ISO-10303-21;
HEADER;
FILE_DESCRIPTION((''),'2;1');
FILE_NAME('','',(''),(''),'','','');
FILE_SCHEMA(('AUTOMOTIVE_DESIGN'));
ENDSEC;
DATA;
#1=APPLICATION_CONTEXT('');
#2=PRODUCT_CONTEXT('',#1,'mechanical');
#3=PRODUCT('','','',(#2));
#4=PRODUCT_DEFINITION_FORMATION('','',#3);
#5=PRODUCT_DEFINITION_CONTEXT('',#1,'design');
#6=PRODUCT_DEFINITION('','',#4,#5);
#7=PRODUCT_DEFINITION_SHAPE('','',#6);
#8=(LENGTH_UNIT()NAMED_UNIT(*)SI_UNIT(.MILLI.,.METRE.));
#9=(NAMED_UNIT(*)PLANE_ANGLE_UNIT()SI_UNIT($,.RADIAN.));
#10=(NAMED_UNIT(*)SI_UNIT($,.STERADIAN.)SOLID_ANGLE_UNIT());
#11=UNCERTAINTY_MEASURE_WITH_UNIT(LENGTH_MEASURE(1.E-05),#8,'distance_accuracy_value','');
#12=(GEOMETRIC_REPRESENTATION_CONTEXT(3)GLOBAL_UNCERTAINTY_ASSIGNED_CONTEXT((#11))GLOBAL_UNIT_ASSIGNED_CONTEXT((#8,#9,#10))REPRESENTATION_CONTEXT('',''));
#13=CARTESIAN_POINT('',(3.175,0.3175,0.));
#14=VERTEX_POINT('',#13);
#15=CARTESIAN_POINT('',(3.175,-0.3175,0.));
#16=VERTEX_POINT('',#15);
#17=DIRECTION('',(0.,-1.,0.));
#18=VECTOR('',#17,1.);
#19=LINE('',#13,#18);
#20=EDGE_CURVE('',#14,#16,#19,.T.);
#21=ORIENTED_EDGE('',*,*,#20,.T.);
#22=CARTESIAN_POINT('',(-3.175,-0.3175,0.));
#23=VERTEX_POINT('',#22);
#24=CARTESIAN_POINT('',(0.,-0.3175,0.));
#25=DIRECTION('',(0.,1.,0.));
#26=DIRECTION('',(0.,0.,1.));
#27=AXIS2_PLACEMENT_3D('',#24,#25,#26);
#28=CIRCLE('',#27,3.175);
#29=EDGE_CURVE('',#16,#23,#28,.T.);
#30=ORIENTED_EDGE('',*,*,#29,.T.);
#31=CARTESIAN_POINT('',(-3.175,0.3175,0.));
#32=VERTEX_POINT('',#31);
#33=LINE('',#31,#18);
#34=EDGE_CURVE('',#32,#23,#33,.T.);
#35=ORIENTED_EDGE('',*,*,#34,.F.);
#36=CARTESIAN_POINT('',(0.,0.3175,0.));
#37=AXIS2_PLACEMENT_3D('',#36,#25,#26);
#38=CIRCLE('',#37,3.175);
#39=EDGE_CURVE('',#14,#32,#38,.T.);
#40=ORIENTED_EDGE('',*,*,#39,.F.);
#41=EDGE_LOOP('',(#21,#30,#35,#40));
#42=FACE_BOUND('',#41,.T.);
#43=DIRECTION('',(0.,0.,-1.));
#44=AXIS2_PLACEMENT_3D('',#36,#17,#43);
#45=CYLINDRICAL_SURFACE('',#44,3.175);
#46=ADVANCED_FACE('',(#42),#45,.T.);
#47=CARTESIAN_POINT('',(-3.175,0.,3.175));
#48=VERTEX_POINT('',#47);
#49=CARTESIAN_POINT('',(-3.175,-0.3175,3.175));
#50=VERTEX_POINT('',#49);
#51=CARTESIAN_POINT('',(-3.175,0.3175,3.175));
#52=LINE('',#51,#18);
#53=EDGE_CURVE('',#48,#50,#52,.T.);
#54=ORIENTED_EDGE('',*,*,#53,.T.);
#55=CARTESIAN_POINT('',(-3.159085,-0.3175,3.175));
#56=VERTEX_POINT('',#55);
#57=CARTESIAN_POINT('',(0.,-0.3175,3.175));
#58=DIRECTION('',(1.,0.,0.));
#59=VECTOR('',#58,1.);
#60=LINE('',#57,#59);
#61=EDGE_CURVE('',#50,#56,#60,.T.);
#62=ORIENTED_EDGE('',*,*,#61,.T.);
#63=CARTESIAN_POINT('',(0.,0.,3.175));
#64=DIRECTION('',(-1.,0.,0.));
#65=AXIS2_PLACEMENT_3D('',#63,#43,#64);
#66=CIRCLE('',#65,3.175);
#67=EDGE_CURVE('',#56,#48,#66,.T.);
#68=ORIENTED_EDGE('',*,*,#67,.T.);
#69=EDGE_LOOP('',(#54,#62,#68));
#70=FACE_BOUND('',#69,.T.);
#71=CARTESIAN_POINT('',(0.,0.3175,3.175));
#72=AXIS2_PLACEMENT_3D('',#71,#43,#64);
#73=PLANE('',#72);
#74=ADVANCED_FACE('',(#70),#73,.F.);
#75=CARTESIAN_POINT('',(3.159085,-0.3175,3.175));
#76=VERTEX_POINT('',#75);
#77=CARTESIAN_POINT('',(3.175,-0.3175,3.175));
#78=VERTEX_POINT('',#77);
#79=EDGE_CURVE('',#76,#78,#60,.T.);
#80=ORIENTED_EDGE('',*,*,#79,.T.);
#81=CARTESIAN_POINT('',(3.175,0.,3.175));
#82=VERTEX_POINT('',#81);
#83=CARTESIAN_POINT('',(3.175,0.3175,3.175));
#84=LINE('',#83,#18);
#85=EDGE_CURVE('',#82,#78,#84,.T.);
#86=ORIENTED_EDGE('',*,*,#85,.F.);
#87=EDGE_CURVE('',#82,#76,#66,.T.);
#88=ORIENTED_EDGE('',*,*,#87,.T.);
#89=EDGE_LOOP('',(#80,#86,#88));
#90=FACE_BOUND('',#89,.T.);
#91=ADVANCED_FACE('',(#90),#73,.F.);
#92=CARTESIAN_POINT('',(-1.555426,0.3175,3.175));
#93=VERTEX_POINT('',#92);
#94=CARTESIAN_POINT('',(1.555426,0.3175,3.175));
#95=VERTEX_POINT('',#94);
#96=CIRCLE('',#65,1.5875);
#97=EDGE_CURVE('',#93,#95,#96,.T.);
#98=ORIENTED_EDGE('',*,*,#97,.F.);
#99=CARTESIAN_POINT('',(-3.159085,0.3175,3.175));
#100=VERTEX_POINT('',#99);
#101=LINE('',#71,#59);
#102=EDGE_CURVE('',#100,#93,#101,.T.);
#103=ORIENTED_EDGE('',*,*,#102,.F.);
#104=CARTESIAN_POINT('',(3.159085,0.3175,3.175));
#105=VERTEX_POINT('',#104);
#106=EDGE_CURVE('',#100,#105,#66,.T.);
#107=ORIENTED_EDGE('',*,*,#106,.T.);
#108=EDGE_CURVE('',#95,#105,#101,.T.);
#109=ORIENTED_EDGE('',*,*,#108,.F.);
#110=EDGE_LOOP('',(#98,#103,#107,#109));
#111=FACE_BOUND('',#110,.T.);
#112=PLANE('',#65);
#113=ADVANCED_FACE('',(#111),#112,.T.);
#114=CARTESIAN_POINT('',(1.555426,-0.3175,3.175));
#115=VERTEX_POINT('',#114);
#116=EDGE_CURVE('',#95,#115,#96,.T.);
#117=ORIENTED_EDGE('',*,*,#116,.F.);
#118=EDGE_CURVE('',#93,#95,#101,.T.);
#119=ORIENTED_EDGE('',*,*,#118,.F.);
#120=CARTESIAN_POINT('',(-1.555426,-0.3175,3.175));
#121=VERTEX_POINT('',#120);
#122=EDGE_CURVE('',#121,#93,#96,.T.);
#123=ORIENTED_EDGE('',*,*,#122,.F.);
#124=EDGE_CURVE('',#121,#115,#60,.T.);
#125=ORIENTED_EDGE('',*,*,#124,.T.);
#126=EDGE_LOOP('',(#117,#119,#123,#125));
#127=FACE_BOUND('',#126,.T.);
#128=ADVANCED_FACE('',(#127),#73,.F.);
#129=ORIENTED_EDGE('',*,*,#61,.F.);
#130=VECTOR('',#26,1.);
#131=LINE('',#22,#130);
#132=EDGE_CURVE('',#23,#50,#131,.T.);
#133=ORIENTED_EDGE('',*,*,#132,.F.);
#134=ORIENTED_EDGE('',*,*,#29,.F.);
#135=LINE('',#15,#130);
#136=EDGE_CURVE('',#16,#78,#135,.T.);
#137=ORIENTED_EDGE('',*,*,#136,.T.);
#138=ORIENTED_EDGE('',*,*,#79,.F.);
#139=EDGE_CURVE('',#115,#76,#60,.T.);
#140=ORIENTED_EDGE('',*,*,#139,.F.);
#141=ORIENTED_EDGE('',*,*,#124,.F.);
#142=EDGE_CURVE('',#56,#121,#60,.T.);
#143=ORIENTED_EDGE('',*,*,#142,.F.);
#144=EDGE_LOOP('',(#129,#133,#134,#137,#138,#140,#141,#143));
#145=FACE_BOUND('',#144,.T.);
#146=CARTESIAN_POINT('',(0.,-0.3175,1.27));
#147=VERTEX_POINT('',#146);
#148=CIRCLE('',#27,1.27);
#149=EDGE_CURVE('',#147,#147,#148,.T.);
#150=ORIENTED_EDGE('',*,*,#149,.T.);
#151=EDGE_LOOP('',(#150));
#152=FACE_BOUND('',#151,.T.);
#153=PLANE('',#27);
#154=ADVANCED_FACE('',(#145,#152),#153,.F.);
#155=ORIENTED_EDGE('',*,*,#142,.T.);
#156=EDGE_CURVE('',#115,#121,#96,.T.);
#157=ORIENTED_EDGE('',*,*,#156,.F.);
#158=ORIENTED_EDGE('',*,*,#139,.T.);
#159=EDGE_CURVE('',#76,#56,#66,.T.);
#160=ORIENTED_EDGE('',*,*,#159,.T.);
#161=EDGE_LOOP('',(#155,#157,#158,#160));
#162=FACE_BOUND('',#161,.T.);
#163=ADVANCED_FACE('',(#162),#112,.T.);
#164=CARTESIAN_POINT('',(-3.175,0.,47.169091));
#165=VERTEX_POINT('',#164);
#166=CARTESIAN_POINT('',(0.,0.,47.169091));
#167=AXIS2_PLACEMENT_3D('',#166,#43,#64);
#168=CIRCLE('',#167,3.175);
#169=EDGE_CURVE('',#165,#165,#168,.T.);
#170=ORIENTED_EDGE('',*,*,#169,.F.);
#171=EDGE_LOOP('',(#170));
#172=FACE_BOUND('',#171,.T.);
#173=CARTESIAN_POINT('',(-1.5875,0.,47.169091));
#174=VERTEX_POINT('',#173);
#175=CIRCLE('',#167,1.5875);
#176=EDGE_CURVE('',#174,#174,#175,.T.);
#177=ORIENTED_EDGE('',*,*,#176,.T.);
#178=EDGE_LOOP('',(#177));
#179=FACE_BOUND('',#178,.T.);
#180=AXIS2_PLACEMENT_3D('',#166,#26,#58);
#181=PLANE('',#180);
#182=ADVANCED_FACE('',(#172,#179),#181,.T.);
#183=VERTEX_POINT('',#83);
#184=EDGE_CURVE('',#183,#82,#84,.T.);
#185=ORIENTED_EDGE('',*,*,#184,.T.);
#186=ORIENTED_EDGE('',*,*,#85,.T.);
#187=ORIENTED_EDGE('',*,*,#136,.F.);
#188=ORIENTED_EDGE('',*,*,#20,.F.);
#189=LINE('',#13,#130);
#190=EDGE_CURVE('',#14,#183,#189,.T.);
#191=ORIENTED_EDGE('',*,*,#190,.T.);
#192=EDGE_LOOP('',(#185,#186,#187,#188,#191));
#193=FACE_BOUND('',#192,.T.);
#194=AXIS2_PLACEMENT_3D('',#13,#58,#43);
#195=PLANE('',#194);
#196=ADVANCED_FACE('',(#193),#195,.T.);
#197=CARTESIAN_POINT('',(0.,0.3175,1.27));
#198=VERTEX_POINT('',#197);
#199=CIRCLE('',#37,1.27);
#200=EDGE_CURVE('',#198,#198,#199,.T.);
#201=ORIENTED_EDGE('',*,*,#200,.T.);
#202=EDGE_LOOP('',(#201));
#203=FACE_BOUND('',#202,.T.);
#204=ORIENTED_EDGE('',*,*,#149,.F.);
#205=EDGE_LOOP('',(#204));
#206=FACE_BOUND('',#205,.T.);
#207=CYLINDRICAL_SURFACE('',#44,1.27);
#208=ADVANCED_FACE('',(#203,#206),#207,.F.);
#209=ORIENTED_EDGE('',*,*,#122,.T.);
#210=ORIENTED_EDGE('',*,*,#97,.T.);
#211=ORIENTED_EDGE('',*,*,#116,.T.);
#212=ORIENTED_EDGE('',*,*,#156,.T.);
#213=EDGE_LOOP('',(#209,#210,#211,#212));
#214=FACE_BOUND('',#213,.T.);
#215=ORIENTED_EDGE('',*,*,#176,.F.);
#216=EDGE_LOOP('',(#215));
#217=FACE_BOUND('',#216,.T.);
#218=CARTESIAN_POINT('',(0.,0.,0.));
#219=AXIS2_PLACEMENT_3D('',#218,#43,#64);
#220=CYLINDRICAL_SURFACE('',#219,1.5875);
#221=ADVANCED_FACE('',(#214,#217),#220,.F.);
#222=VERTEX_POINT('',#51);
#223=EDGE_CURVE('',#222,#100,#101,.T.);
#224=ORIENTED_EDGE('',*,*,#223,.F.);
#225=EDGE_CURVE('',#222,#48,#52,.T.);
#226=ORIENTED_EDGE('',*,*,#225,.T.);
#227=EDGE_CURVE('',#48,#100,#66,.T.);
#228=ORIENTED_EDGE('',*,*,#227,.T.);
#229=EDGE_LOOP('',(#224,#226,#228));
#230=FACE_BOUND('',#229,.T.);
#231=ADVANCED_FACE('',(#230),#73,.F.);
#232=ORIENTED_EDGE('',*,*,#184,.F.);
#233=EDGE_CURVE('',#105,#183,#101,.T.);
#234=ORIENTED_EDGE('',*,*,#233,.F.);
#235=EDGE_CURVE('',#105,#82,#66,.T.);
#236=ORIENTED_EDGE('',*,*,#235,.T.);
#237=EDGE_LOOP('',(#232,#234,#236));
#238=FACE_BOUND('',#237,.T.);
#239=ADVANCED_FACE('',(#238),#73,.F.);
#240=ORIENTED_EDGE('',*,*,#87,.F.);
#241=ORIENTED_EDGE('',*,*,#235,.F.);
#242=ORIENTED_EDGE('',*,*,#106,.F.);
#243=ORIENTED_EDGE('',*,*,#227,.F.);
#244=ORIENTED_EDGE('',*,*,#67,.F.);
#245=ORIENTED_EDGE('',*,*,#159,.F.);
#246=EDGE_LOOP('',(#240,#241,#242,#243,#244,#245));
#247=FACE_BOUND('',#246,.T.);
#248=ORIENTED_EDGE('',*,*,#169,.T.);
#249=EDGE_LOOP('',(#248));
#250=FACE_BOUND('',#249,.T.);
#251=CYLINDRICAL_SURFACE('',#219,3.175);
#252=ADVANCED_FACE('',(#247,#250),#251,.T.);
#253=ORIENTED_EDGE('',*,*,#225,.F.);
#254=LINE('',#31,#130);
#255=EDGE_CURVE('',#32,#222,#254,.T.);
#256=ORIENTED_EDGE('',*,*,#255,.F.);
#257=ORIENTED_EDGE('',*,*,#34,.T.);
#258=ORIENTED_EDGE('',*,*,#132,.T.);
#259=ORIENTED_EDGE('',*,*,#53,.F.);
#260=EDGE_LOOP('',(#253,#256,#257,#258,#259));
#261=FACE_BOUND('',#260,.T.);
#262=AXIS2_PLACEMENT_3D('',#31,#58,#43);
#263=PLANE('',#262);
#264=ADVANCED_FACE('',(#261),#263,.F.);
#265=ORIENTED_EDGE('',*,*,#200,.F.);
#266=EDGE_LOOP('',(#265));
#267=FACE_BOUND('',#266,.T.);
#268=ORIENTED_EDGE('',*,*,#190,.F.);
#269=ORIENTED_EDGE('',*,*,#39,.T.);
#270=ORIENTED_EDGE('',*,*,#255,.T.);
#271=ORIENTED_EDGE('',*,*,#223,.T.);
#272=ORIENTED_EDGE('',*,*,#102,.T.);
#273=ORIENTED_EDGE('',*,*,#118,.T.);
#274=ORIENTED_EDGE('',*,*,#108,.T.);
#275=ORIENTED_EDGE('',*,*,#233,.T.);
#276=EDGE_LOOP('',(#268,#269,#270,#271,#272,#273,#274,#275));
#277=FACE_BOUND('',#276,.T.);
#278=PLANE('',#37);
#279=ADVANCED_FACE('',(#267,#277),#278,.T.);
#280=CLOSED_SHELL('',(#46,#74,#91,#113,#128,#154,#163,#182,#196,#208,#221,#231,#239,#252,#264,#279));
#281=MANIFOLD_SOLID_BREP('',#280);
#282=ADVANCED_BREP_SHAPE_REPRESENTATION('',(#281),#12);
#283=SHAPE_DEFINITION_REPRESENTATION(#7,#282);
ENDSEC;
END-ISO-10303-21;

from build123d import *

# Parameters (mm, degrees)
BOSS_EXTRUDE1_DEPTH      = 0.3175
BOSS_EXTRUDE1_DEPTH_BACK = 0.3175
SKETCH1_10_R             = 1.27


with BuildPart() as part:
    # Sketch1 → Revolve6 (revolve)
    with BuildSketch(Plane(origin=(0, 0, 0), x_dir=(1, 0, 0), z_dir=(0, 1, 0))):
        Polygon((-3.175, -47.169090574), (-1.5875, -47.169090574), (-1.5875, -28.575), (-1.5875, -3.175), (-3.175, -3.175), align=None)
    revolve(axis=Axis((0, 0, 0), (0, 0, 1)))

    # Sketch1<10> → Boss-Extrude1 (add, two sides: drawn at the far end of the back side and taken through both)
    with BuildSketch(Plane(origin=(0, 0, 0), x_dir=(1, 0, 0), z_dir=(0, 1, 0)).offset(-BOSS_EXTRUDE1_DEPTH_BACK)):
        with BuildLine():
            Line((3.175, -3.175), (3.175, 0))
            ThreePointArc((3.175, 0), (0, 3.175), (-3.175, 0))
            Line((-3.175, 0), (-3.175, -3.175))
            Line((-3.175, -3.175), (3.175, -3.175))
        make_face()
        Circle(SKETCH1_10_R, mode=Mode.SUBTRACT)
    extrude(amount=BOSS_EXTRUDE1_DEPTH + BOSS_EXTRUDE1_DEPTH_BACK)


solid = part.part
